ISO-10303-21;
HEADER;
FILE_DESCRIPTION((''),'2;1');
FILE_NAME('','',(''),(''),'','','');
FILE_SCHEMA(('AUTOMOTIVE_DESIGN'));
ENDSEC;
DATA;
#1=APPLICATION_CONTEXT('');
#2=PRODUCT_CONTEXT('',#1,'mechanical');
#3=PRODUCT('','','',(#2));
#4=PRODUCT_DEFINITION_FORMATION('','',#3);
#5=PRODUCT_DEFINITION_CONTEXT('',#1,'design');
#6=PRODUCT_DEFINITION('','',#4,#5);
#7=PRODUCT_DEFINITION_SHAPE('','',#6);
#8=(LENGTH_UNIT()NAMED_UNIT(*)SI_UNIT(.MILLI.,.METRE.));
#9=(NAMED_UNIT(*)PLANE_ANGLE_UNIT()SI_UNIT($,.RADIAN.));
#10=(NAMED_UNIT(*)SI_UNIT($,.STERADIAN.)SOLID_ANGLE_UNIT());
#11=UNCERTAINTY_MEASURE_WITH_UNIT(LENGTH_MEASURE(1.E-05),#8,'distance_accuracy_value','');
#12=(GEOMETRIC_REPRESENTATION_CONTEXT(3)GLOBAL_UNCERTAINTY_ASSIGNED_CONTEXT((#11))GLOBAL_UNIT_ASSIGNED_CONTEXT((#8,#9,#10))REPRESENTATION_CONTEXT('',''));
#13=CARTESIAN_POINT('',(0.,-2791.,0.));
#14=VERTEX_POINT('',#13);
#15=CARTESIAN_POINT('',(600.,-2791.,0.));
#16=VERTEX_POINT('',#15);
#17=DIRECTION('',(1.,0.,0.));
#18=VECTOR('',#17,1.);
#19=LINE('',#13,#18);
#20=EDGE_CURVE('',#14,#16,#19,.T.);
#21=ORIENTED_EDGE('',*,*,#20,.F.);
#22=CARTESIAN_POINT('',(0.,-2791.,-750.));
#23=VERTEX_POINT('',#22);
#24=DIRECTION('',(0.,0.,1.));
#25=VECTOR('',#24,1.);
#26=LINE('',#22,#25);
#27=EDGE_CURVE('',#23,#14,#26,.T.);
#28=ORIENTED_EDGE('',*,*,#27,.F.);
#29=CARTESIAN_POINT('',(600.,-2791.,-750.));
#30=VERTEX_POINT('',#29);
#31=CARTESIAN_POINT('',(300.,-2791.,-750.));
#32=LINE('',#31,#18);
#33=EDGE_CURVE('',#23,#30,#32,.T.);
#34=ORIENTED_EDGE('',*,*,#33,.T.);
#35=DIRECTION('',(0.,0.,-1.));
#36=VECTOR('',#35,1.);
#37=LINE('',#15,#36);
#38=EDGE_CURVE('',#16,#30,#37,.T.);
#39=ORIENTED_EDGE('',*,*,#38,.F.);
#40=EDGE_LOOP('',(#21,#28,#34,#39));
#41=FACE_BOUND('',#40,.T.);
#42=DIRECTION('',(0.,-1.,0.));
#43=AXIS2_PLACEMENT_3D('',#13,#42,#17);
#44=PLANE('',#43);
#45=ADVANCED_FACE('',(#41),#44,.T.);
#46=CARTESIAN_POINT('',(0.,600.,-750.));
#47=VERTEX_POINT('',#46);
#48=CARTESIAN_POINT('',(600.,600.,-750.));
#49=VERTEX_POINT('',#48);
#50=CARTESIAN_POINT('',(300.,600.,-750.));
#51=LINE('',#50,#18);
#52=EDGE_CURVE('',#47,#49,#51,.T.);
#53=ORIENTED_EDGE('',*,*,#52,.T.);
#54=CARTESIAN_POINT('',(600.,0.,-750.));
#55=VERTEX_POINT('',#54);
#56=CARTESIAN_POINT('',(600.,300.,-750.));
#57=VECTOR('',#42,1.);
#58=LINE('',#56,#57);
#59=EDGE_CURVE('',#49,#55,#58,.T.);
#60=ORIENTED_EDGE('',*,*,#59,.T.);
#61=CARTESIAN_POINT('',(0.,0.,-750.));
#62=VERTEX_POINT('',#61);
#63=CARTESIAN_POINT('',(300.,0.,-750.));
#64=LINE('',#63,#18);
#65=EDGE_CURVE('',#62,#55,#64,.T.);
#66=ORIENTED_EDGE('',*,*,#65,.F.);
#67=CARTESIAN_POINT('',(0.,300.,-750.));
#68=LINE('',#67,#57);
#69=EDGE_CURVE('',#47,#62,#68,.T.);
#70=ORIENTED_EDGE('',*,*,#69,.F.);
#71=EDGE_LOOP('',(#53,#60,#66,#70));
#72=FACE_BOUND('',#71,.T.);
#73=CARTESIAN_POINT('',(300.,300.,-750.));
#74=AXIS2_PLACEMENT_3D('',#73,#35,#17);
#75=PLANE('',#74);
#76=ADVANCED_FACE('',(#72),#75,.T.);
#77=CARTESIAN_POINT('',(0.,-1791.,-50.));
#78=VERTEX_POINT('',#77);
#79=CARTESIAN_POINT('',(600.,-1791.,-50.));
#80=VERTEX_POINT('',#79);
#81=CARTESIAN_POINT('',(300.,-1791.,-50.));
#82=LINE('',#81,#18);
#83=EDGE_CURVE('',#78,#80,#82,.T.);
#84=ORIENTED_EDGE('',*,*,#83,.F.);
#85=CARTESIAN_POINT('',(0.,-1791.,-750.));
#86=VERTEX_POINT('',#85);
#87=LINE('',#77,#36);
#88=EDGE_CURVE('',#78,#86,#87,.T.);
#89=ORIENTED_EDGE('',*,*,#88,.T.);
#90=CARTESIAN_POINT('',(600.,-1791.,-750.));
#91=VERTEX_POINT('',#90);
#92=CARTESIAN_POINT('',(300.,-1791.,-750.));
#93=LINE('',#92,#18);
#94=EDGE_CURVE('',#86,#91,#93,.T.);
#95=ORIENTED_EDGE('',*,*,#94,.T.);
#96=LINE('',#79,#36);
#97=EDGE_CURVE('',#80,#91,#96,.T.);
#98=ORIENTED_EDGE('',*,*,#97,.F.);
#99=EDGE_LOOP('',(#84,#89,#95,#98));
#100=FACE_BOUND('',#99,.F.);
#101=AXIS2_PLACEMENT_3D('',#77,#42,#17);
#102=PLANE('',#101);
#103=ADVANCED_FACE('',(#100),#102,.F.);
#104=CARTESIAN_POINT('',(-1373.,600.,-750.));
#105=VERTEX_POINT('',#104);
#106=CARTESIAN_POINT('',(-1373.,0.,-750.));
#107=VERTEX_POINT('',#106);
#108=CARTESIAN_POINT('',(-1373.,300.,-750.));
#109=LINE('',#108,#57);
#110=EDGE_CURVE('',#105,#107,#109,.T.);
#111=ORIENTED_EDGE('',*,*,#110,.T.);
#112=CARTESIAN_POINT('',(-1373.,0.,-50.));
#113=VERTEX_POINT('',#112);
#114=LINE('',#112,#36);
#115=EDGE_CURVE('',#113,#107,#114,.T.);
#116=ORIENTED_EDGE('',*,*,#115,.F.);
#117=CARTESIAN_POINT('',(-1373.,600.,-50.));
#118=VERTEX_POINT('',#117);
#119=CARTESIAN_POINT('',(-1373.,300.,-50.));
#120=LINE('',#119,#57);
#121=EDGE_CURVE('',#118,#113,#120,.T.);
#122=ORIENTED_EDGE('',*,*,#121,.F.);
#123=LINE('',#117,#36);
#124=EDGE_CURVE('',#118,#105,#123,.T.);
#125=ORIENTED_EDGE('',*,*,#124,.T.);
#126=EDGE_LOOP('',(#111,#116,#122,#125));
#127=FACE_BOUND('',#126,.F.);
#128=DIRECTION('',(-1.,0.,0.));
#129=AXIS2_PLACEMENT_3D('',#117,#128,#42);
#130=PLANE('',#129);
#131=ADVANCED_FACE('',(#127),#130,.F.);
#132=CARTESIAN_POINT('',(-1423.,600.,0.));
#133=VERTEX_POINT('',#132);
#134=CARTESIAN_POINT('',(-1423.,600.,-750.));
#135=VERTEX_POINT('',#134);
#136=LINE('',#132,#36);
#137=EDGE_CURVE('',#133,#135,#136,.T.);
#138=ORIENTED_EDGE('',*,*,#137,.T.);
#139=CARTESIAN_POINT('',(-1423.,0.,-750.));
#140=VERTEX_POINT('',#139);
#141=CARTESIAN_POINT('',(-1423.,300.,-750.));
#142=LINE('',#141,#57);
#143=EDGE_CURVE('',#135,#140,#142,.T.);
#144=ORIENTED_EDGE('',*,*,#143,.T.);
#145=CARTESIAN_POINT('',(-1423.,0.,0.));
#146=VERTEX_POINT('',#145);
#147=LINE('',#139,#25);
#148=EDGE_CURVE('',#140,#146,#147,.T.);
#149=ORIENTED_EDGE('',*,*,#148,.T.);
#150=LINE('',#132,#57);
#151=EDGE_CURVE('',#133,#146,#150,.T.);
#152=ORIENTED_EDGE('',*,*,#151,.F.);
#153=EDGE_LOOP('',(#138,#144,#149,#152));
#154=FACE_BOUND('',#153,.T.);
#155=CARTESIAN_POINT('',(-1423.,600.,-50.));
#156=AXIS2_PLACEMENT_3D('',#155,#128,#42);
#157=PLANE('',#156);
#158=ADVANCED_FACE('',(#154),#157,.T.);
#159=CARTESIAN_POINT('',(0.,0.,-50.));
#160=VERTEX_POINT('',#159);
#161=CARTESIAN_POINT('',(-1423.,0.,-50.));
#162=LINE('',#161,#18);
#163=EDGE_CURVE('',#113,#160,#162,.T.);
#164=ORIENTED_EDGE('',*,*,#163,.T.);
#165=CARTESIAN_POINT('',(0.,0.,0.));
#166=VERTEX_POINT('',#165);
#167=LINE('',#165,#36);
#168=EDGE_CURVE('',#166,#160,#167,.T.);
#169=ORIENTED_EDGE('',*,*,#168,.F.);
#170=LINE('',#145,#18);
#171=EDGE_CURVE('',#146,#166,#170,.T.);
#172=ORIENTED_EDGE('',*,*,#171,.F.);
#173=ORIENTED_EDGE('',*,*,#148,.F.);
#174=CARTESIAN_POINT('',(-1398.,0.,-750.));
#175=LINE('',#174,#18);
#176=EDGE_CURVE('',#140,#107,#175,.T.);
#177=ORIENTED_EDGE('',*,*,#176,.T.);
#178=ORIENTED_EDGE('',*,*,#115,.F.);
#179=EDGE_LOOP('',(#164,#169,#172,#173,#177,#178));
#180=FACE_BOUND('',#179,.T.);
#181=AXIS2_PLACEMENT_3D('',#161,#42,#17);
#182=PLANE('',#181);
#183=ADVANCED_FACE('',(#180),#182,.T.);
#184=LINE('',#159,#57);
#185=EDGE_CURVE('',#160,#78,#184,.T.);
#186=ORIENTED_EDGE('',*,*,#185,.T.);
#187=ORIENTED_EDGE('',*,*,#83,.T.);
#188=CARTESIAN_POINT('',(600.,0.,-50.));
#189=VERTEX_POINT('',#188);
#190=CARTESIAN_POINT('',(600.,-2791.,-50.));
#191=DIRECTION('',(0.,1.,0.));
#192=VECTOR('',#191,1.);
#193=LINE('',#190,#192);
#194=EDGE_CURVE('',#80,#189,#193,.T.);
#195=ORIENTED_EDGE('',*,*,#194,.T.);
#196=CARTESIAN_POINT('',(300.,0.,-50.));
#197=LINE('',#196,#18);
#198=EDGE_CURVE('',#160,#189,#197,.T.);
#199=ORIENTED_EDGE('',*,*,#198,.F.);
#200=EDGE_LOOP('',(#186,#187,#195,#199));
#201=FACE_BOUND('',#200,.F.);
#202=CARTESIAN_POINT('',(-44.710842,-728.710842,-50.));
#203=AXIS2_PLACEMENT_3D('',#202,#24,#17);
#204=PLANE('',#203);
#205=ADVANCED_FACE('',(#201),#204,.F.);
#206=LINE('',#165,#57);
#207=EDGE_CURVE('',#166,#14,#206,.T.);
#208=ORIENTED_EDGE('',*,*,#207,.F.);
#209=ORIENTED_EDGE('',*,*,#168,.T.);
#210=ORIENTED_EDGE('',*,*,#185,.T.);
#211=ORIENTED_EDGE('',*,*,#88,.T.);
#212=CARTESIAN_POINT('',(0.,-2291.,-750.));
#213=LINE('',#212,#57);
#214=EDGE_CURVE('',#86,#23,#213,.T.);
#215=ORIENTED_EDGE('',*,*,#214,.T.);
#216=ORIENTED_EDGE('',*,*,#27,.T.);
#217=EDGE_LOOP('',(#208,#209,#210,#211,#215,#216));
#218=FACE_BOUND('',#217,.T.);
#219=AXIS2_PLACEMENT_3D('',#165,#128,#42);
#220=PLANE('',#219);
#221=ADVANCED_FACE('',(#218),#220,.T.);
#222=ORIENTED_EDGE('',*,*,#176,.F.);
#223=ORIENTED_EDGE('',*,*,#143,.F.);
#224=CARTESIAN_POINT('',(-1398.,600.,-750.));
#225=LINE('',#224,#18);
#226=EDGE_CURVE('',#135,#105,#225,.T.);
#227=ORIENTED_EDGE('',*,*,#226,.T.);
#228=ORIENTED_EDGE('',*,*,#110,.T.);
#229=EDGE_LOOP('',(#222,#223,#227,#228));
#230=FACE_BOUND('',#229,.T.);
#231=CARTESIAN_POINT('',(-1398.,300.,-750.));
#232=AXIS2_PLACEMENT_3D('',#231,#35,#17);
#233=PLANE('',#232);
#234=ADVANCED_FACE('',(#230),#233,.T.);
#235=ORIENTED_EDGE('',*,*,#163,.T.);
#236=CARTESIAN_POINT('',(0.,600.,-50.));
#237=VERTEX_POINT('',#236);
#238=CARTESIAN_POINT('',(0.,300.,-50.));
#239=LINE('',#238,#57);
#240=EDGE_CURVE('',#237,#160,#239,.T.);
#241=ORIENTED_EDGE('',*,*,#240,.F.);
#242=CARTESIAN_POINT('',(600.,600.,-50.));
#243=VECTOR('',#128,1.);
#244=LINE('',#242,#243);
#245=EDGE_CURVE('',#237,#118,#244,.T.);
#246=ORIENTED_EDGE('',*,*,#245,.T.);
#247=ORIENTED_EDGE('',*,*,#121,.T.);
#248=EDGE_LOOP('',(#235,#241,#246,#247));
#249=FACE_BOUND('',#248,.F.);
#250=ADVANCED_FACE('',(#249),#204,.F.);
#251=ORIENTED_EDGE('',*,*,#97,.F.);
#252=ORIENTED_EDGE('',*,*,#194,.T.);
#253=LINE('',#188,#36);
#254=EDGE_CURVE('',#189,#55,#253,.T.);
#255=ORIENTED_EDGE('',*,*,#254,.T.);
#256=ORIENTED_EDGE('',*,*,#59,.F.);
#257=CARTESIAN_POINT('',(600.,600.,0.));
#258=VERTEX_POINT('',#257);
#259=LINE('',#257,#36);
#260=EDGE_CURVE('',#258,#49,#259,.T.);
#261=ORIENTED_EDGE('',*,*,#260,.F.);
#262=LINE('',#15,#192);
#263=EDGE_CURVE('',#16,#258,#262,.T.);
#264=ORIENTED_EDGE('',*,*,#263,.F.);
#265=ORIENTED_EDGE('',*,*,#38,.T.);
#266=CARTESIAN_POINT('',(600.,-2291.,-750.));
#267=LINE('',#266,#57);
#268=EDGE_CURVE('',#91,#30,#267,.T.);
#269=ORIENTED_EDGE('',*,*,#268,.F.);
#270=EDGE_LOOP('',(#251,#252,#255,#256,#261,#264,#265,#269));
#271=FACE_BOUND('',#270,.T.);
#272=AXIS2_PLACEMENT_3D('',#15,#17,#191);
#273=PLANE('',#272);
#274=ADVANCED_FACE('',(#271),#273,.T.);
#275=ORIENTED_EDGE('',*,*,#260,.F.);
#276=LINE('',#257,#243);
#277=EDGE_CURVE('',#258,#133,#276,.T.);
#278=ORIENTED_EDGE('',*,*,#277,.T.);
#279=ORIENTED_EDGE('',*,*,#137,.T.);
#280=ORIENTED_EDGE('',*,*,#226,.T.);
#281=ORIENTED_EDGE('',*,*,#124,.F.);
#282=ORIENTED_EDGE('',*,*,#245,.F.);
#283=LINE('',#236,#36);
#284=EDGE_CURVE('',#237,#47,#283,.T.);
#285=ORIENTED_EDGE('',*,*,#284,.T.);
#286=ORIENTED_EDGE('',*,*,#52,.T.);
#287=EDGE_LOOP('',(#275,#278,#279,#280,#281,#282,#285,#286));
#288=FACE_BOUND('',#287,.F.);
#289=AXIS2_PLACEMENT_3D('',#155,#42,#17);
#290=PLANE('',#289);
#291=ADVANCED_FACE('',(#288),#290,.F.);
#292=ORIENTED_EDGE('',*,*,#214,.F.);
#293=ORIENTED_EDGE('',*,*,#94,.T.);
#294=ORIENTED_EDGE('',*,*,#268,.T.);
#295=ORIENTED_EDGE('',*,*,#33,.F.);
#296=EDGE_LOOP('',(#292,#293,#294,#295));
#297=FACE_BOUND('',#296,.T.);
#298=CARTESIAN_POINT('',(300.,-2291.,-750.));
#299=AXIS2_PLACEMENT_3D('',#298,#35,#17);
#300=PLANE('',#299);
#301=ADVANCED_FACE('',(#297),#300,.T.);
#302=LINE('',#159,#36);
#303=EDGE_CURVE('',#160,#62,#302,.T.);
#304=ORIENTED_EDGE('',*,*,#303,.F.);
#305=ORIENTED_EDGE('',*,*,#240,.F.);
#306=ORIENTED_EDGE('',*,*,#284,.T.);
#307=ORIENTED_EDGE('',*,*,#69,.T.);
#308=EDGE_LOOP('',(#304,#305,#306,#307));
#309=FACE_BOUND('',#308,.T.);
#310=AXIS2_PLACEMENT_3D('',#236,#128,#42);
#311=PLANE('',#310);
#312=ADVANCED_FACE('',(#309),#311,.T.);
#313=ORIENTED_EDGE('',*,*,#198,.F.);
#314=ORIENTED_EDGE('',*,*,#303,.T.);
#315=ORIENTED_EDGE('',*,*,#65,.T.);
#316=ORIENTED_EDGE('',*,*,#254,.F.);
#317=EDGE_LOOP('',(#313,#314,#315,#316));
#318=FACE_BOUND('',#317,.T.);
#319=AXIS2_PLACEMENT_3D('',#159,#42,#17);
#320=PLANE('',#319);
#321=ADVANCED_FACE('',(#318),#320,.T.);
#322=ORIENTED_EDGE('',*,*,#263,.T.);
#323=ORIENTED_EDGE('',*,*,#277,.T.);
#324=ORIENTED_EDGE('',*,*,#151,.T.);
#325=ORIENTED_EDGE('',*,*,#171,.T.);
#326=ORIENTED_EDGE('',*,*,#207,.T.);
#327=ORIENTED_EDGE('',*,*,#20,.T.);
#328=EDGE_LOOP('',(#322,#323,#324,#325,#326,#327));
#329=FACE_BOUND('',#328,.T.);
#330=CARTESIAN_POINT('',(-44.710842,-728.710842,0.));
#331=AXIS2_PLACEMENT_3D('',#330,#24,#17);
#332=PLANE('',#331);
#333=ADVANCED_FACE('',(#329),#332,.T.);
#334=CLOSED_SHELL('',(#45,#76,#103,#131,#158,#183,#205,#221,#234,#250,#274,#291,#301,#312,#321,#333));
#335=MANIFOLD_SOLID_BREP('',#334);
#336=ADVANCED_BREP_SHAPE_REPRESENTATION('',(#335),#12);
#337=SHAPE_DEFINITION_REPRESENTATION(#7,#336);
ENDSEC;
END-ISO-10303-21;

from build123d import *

# Parameters (mm, degrees)
F1_DEPTH = 50
F2_W     = 50
F2_H     = 600
F2_W_2   = 600
F2_H_2   = 1000
F3_DEPTH = 700


with BuildPart() as f1:
    # F0 (on Top) → F1 (new body)
    with BuildSketch(Plane.XY):
        Polygon((-1423, 600), (-1423, 0), (0, 0), (0, -2791), (600, -2791), (600, 600), align=None)
    extrude(amount=-F1_DEPTH)

    # F2 (on face) → F3 (join)
    with BuildSketch(Plane(origin=(0, 0, -50), x_dir=(1, 0, 0), z_dir=(0, 0, -1))):
        with Locations((-1398, -300)):
            Rectangle(F2_W, F2_H)
        with Locations((300, -300)):
            Rectangle(F2_W_2, F2_H)
        with Locations((300, 2291)):
            Rectangle(F2_W_2, F2_H_2)
    extrude(amount=F3_DEPTH)


solid = f1.part
